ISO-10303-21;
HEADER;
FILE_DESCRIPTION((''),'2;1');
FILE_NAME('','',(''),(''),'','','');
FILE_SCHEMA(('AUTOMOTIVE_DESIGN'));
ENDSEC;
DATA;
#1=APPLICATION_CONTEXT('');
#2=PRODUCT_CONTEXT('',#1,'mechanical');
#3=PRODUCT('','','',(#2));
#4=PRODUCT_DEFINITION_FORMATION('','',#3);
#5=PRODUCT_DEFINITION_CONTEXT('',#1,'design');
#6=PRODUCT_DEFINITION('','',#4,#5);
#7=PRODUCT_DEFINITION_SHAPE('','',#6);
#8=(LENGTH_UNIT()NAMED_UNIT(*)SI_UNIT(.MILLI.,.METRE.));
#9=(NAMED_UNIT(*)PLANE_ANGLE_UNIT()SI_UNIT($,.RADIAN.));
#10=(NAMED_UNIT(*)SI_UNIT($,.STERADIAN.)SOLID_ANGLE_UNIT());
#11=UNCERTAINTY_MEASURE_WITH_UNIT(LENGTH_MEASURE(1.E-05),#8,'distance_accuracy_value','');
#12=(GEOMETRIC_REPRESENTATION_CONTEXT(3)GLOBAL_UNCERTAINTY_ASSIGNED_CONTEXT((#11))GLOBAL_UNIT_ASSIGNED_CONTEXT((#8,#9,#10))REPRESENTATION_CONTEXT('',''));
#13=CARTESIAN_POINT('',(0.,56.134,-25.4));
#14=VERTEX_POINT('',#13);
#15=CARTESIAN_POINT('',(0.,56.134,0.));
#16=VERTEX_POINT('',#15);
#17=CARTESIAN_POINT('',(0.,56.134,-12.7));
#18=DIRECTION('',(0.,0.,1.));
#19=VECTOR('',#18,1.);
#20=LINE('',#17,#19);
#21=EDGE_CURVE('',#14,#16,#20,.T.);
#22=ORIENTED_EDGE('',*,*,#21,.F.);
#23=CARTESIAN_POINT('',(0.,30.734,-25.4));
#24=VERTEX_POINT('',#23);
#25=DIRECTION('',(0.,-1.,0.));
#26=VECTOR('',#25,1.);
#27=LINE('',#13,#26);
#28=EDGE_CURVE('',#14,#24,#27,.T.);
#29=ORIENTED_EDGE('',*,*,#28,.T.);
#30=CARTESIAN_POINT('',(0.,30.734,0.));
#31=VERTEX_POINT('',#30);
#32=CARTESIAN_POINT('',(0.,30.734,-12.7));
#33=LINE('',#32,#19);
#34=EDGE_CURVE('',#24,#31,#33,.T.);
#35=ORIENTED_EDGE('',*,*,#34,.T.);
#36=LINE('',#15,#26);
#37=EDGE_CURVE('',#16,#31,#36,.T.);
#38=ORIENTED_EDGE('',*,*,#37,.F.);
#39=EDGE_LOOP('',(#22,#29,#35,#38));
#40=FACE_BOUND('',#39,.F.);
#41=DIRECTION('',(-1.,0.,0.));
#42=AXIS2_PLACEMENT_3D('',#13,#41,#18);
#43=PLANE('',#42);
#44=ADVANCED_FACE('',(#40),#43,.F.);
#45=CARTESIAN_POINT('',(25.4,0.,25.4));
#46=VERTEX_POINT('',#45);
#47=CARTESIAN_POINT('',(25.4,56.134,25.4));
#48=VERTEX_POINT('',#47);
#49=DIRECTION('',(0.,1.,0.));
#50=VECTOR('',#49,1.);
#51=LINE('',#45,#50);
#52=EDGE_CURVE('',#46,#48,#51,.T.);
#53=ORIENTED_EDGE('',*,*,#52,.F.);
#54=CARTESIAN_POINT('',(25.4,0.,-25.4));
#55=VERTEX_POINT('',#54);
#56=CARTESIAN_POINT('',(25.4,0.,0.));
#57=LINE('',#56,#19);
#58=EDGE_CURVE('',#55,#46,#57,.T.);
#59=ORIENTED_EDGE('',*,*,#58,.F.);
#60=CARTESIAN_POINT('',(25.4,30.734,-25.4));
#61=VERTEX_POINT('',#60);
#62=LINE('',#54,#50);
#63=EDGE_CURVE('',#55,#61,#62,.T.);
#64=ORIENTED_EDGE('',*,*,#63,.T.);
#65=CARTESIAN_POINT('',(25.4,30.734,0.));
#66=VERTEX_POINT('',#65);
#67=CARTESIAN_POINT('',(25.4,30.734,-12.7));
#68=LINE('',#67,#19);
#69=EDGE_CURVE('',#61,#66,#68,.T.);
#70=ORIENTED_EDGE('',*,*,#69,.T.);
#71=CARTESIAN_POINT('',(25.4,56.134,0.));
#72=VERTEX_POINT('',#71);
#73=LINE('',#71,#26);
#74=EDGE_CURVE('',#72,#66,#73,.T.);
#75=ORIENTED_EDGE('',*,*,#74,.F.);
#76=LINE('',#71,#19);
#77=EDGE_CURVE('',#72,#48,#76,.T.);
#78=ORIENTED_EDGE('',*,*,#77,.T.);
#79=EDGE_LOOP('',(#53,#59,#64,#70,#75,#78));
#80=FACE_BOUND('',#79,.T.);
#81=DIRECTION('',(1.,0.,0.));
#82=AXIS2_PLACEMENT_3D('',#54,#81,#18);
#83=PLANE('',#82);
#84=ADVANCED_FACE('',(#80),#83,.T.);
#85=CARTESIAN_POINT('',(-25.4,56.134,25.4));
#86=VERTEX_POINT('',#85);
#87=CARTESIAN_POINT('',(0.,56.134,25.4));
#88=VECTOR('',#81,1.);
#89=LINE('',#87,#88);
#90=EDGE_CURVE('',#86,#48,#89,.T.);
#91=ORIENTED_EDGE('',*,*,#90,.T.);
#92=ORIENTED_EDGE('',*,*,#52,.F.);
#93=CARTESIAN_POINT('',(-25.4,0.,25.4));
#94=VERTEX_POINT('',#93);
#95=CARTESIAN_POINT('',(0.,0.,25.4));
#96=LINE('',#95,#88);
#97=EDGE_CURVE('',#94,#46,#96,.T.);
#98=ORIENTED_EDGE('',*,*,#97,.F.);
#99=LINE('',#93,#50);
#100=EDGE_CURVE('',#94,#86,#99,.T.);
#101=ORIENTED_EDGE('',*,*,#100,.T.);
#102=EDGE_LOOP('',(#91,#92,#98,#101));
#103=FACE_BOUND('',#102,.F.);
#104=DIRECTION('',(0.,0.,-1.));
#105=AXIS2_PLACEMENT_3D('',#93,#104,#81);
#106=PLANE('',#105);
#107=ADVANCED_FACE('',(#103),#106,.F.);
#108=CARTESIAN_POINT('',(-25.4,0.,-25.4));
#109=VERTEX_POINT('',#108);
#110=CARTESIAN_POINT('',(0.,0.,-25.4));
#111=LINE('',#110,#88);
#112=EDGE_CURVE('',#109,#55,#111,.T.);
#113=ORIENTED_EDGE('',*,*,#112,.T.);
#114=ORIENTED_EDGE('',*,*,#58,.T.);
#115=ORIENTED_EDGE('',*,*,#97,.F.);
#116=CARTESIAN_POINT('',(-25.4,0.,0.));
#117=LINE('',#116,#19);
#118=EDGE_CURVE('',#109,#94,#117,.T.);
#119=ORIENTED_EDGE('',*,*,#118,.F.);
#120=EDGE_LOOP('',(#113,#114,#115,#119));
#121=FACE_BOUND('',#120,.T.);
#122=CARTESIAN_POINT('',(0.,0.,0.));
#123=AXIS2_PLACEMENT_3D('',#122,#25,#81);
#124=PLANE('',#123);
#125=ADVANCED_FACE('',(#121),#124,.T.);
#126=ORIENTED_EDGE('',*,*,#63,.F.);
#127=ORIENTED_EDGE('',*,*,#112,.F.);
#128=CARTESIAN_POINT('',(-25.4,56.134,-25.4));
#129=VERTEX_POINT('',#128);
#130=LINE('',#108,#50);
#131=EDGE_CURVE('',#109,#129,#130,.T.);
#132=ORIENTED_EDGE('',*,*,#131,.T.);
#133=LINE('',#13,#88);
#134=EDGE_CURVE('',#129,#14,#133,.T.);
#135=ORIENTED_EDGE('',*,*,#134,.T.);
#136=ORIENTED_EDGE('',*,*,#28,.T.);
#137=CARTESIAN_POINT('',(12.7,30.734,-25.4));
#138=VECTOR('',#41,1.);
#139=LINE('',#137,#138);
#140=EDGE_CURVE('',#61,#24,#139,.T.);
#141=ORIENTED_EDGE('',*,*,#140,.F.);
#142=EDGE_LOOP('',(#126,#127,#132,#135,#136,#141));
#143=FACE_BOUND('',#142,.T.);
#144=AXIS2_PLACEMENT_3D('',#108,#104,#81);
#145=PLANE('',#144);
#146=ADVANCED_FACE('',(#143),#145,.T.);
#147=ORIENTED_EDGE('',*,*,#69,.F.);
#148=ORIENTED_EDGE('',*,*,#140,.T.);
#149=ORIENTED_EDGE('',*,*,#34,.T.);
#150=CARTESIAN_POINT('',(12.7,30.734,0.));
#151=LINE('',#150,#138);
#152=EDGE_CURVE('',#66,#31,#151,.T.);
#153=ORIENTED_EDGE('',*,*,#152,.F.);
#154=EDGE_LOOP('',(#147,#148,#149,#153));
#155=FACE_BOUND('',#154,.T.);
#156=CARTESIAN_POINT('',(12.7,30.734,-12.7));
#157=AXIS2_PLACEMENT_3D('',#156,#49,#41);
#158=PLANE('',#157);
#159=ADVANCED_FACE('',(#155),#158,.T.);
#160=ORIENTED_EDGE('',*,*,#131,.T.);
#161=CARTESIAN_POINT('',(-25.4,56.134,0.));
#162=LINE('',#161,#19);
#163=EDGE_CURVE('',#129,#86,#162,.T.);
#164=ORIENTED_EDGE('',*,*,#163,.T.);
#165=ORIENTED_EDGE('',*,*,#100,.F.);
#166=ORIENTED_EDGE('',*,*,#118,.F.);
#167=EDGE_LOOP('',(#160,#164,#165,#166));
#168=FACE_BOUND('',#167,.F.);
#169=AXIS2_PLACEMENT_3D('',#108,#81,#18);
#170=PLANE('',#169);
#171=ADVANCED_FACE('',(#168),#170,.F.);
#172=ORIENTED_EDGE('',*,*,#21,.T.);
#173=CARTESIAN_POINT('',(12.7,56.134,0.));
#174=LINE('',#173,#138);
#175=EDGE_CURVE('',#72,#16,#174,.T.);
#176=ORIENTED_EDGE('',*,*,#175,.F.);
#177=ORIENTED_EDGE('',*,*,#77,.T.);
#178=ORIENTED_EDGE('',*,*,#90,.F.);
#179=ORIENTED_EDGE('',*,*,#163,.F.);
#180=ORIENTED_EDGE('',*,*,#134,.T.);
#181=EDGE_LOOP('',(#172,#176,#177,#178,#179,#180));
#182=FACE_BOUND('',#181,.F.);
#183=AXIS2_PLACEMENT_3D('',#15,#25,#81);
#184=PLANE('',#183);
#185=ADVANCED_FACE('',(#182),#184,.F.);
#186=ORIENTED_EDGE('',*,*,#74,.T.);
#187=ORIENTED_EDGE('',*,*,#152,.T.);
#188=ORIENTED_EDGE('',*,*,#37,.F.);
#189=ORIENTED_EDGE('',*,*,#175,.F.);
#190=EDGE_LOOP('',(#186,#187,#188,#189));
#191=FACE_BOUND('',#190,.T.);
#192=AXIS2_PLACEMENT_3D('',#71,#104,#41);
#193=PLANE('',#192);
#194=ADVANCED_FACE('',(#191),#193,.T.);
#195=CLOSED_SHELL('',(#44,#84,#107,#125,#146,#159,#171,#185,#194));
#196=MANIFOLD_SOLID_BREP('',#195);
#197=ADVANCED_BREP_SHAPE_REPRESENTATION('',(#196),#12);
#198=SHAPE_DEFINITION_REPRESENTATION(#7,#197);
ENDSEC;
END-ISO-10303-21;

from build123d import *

# Parameters (mm, degrees)
F0_W     = 50.8
F0_H     = 50.8
F1_DEPTH = 56.134
F2_W     = 25.4
F2_H     = 25.4
F3_DEPTH = 25.4


with BuildPart() as f1:
    # F0 (on Front) → F1 (new body)
    with BuildSketch(Plane.XZ):
        Rectangle(F0_W, F0_H)
    extrude(amount=-F1_DEPTH)

    # F2 (on face) → F3 (cut)
    with BuildSketch(Plane(origin=(0, 56.134, 0), x_dir=(-1, 0, 0), z_dir=(0, 1, 0))):
        with Locations((-12.7, -12.7)):
            Rectangle(F2_W, F2_H)
    extrude(amount=-F3_DEPTH, mode=Mode.SUBTRACT)


solid = f1.part
